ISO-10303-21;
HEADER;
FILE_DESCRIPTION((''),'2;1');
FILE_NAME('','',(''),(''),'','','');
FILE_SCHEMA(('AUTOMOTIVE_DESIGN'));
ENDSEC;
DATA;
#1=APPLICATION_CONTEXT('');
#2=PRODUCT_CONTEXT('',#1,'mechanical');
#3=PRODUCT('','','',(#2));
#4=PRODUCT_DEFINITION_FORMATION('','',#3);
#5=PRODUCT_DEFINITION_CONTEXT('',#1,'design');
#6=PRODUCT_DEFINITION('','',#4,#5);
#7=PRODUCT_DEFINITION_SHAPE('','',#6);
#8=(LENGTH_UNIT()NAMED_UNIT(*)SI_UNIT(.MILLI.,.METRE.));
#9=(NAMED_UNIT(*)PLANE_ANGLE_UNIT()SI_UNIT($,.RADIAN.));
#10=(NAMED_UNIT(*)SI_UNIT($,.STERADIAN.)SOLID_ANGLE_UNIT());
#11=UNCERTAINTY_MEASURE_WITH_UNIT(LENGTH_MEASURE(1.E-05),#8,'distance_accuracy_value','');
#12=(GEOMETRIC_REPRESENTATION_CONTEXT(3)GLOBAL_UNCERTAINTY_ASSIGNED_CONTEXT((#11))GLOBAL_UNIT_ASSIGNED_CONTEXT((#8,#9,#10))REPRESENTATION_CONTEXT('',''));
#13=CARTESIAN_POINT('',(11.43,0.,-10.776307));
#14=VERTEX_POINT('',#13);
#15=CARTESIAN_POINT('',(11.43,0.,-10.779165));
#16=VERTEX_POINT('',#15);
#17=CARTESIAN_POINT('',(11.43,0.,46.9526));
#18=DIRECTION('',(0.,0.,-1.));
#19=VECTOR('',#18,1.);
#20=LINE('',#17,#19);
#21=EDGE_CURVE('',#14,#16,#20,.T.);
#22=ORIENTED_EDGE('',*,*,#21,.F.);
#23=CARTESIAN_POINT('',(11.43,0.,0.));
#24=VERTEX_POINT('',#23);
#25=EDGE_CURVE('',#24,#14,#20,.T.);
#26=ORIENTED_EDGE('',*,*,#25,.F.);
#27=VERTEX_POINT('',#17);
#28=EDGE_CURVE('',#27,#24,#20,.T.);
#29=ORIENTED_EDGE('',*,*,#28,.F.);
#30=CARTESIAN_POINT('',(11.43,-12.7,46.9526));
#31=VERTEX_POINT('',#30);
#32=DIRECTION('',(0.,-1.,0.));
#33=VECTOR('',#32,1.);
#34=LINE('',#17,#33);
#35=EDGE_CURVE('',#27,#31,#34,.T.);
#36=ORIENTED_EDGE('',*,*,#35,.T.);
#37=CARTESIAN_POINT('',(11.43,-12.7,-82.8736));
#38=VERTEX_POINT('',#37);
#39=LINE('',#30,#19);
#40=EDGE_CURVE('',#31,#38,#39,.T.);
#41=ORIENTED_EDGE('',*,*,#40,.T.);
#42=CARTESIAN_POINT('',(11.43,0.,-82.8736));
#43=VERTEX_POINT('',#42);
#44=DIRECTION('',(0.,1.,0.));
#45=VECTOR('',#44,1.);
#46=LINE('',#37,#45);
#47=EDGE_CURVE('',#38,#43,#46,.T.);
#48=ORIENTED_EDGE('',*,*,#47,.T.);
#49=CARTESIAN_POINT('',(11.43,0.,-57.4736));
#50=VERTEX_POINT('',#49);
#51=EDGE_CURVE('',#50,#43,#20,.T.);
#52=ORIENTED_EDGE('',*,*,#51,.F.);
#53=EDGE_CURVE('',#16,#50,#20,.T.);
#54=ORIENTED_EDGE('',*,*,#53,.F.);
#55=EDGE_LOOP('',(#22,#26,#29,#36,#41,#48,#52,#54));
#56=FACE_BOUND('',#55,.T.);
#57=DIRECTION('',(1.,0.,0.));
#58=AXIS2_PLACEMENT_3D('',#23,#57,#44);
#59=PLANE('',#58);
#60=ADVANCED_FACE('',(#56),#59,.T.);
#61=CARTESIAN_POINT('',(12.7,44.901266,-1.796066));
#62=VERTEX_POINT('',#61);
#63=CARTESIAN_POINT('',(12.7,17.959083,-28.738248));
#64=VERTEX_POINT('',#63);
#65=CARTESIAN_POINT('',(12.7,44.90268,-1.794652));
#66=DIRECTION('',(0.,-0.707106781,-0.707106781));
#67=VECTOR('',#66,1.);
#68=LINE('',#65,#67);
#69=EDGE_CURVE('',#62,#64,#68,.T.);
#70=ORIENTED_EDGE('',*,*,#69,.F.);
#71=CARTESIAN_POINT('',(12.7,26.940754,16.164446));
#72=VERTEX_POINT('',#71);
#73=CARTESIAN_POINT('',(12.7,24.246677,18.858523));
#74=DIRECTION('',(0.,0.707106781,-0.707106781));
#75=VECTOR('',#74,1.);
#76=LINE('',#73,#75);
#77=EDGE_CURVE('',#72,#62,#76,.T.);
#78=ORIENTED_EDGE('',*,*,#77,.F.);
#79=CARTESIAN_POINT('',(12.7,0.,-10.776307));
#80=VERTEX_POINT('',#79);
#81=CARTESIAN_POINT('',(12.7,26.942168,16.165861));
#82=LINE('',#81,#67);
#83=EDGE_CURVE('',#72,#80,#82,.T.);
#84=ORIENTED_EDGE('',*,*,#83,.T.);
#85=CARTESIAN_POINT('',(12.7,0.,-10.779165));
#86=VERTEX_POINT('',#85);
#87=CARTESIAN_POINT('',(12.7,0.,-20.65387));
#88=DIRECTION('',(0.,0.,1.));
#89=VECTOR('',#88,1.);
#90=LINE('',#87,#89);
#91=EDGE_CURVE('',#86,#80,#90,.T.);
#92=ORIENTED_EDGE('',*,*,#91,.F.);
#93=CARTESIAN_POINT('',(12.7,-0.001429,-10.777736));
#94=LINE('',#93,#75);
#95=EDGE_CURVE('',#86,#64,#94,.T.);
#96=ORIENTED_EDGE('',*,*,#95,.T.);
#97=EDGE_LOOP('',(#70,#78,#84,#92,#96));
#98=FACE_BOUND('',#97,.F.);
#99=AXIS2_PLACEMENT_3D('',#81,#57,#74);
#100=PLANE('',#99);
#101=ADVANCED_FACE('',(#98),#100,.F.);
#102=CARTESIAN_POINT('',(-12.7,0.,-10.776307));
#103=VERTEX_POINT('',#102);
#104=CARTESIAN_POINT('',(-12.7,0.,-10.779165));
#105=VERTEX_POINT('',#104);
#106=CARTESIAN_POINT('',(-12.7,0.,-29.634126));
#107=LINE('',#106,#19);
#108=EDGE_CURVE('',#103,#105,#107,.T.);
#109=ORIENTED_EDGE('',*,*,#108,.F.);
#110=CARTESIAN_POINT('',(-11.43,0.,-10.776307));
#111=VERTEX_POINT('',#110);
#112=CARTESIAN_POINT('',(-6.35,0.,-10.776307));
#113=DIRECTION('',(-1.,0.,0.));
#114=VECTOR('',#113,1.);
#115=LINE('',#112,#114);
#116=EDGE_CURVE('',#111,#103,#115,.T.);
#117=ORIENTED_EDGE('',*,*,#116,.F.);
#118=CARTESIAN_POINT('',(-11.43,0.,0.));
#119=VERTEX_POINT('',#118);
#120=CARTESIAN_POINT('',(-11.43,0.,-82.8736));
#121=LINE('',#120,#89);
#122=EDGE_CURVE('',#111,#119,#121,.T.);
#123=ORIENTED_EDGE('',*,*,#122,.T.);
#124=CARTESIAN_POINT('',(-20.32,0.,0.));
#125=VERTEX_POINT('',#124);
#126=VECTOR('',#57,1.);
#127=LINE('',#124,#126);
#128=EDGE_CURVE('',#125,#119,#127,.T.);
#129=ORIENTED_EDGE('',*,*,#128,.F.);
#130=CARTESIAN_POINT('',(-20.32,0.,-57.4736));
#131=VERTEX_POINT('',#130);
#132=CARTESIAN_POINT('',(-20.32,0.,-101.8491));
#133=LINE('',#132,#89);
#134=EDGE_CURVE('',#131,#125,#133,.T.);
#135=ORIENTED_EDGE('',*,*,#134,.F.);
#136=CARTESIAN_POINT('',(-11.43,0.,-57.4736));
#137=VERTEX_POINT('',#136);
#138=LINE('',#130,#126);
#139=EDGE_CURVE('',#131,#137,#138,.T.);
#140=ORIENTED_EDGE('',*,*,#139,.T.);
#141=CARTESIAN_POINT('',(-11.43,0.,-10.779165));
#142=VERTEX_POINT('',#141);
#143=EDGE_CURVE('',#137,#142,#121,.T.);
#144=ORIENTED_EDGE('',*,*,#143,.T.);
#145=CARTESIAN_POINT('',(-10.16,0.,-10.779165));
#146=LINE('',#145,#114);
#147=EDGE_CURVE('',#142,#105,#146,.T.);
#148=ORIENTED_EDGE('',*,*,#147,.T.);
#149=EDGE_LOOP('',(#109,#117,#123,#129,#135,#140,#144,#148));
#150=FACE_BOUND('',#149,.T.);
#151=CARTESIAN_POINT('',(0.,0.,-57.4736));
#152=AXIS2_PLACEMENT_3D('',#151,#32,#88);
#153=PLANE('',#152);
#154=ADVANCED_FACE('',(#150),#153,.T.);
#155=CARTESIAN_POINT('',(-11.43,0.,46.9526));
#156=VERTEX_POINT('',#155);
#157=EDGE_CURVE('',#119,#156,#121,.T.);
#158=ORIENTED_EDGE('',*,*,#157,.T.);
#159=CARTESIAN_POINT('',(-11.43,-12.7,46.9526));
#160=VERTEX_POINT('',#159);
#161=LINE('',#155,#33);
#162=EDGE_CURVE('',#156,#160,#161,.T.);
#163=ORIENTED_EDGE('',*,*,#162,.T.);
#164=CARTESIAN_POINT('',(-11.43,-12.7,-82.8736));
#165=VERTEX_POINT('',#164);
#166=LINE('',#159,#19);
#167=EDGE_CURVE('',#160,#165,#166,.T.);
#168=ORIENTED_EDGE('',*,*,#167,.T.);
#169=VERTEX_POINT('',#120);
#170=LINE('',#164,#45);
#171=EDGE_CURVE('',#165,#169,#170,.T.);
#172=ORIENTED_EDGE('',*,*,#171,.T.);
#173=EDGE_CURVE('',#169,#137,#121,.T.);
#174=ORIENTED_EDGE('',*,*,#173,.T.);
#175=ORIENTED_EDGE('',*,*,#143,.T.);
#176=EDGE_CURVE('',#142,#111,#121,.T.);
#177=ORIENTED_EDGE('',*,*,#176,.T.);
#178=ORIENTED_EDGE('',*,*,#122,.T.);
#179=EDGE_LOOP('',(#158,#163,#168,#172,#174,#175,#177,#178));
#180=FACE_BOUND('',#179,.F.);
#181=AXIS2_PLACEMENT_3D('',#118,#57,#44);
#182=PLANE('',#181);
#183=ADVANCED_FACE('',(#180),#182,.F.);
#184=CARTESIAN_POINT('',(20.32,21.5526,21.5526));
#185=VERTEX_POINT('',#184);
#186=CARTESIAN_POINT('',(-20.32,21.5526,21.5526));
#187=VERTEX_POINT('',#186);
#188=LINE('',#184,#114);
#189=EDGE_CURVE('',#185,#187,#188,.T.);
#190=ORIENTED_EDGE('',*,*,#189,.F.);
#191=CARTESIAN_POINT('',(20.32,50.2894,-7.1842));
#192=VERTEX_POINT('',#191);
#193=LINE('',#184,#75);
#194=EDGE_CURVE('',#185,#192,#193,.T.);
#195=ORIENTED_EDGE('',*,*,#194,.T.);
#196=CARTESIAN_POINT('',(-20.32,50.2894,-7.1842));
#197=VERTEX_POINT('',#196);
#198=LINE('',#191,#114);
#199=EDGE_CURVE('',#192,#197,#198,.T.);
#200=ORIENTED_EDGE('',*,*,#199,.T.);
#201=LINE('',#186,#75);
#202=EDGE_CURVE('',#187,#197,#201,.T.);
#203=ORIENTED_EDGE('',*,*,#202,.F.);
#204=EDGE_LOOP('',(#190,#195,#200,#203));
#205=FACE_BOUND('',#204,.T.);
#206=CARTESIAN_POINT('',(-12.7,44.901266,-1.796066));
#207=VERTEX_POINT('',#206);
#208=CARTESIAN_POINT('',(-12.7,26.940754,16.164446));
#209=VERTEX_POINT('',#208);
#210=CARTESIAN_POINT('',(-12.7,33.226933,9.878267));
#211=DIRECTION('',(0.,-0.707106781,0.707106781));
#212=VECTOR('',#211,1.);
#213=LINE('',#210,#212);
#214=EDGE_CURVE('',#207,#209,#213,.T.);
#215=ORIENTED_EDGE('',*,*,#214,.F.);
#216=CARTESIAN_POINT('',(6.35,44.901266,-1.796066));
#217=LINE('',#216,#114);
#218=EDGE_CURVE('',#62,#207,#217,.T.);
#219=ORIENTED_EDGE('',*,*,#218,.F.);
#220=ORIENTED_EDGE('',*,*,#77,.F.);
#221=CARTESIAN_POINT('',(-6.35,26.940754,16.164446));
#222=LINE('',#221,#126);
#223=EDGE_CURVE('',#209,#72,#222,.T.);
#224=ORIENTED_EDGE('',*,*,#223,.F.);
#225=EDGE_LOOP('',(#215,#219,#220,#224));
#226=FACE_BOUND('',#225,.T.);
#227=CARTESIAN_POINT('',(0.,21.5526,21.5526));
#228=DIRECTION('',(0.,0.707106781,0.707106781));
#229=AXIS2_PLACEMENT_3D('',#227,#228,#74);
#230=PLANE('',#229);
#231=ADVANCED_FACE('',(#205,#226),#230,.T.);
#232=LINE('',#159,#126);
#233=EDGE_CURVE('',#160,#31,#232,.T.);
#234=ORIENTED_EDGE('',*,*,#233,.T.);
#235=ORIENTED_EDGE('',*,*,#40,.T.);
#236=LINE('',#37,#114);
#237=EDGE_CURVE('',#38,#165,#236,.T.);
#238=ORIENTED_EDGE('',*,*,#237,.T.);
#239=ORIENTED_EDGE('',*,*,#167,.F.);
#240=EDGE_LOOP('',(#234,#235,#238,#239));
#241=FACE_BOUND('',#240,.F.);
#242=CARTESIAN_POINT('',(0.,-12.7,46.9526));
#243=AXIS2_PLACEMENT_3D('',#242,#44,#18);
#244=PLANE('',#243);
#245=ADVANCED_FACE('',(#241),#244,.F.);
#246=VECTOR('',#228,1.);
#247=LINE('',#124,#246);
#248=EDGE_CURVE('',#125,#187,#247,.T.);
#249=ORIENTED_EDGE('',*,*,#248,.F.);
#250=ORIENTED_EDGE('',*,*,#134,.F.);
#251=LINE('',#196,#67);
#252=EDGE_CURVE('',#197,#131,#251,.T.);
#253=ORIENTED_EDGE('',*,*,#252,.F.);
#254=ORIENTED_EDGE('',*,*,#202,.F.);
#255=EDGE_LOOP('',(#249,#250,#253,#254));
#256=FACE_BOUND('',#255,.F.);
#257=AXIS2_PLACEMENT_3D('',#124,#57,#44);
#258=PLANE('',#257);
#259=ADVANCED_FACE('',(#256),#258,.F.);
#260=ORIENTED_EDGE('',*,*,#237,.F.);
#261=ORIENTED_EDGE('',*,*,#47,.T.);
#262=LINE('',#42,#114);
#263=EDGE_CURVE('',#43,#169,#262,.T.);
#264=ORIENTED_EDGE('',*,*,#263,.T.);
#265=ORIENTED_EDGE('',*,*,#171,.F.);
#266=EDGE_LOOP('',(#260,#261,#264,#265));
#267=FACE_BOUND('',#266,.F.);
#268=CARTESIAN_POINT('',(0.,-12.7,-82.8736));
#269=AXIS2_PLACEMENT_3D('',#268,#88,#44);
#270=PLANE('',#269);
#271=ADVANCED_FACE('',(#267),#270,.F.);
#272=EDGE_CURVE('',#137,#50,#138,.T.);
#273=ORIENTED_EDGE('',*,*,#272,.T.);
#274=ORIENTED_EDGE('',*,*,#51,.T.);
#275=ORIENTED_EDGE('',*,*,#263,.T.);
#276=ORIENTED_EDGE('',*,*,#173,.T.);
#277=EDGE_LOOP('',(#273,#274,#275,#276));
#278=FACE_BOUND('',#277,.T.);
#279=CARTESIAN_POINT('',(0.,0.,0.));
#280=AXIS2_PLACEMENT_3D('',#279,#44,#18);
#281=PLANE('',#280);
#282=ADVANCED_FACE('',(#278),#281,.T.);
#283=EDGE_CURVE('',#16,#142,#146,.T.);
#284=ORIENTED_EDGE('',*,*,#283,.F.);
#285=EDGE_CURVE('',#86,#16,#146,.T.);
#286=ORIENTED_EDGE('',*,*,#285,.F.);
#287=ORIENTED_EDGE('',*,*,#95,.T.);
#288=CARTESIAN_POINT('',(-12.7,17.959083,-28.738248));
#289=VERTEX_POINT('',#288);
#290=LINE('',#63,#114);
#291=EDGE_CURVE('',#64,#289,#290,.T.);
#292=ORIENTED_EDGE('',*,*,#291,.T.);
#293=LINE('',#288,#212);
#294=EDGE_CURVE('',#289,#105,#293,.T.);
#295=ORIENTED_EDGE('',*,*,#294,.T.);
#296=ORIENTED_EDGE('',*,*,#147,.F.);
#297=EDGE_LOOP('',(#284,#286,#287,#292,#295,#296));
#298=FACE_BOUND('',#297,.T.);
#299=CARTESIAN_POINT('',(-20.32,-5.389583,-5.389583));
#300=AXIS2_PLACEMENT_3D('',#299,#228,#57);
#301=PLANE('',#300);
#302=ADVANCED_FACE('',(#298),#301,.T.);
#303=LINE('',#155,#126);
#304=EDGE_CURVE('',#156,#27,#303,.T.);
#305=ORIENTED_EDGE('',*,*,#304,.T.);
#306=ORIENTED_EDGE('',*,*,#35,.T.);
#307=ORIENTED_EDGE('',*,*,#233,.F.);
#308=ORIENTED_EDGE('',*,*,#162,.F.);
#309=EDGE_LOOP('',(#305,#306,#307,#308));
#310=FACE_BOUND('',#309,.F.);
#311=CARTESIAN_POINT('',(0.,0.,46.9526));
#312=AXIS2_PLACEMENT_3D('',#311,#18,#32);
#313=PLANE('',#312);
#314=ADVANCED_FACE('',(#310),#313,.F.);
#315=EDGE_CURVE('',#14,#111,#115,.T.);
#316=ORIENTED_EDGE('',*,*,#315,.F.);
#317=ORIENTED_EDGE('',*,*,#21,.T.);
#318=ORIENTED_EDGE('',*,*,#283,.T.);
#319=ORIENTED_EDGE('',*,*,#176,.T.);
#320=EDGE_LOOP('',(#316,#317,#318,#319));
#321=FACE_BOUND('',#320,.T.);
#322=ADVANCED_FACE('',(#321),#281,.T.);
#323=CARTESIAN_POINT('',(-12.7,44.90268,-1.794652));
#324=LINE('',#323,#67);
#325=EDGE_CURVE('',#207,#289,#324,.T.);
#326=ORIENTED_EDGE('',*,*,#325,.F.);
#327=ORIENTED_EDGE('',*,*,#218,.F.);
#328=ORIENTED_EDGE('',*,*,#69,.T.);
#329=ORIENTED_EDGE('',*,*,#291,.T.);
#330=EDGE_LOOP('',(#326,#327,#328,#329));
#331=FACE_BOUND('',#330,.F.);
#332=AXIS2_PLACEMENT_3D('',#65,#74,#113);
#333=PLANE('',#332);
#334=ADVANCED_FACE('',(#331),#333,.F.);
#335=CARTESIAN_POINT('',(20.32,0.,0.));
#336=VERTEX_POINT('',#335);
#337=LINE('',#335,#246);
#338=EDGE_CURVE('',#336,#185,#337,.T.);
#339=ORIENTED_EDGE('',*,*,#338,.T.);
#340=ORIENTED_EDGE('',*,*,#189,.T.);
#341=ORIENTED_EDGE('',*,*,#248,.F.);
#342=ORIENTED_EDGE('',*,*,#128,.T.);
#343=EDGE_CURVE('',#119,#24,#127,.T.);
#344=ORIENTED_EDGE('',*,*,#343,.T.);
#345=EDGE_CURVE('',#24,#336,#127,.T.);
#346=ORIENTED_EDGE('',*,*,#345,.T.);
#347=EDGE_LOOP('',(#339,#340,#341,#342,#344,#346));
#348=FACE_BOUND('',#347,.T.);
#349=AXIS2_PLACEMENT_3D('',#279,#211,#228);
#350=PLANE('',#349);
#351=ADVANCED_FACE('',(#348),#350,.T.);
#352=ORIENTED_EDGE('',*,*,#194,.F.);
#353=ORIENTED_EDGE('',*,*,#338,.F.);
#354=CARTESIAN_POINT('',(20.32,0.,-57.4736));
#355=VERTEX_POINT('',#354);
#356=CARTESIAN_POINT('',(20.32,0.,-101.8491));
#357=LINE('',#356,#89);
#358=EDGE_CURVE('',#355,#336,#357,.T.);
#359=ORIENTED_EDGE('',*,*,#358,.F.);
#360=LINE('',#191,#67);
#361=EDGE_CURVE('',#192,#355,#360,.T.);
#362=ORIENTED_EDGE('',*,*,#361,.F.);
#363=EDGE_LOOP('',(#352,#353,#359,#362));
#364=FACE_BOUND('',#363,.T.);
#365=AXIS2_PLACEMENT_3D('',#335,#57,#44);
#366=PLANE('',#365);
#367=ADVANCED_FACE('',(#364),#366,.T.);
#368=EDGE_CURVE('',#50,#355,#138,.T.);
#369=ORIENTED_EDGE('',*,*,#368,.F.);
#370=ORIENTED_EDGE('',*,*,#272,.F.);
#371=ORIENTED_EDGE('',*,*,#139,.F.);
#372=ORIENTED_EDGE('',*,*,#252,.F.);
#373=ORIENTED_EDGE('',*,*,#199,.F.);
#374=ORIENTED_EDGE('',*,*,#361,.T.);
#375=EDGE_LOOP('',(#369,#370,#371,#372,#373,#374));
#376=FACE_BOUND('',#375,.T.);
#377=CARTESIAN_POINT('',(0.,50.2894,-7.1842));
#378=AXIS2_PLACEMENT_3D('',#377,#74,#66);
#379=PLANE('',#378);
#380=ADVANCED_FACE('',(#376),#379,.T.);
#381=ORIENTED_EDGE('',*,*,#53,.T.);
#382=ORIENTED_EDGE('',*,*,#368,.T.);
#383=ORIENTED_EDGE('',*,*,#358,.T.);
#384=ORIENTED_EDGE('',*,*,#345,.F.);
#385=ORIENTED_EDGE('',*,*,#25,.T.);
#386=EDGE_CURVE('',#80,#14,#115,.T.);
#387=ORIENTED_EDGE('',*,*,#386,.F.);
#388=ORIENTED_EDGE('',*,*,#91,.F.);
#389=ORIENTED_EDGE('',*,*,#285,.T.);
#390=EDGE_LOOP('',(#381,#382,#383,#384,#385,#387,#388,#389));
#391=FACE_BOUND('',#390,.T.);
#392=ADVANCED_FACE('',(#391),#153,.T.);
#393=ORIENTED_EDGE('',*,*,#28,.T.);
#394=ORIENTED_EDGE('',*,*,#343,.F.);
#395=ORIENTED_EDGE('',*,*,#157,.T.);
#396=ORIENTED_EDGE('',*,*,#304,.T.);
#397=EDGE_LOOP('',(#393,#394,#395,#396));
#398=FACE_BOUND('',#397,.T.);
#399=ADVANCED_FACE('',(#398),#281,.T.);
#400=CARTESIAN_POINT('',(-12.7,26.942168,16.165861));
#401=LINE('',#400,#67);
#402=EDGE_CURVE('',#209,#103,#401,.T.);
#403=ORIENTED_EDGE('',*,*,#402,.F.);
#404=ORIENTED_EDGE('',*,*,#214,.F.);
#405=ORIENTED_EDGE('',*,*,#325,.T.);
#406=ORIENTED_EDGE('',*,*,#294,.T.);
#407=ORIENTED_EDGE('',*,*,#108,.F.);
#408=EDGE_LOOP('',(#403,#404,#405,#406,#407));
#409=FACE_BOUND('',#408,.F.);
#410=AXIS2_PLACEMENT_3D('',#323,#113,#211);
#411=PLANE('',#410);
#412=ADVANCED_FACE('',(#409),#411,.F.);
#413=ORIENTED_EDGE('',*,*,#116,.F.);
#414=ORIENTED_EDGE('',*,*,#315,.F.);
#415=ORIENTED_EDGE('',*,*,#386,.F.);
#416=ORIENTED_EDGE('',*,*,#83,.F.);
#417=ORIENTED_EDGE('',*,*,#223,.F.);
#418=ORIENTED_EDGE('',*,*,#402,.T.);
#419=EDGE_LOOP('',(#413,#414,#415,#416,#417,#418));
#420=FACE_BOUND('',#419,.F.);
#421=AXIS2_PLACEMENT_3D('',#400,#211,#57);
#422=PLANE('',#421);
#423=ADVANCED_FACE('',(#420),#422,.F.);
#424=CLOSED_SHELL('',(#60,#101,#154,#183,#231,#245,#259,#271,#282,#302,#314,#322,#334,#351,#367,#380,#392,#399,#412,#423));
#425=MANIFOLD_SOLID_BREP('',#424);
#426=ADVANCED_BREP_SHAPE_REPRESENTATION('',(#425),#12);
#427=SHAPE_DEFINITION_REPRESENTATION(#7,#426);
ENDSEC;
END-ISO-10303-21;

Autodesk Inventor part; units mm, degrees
ref_plane "YZ Plane" through (0, 0, 0) normal (1, 0, 0) x (0, 1, 0)
ref_plane "XZ Plane" through (0, 0, 0) normal (0, 1, 0) x (-1, 0, 0)
ref_plane "XY Plane" through (0, 0, 0) normal (0, 0, 1) x (1, 0, 0)
sketch "Sketch1" plane through (0, 0, 0) normal (1, 0, 0) x (0, 1, 0)
  line L0 (0, 0) -> (21.5526, 21.5526)
  line L1 (21.5526, 21.5526) -> (50.2894, -7.1842)
  line L2 (0, -101.8491) -> (0, 42.1347) projected
  line L3 (50.2894, -7.1842) -> (0, -57.4736)
  line L4 (0, 0) -> (0, -57.4736)
  line L5 (26.9408, 16.1645) -> (0, -10.7763) construction
  dimension "d0" = 40.64
  dimension "d1" = 45
  dimension "d5" = 7.62
  dimension "d6" = 38.1
extrude "Extrusion1" add sketch "Sketch1" along normal mid plane 40.64
sketch "Sketch2" plane through (-20.32, 21.5526, 21.5526) normal (0, 0.7071, 0.7071) x (1, 0, 0)
  line L0 (0, 0) -> (40.64, 0) construction
  line L1 (40.64, 0) -> (40.64, 40.64) construction
  line L2 (0, 0) -> (40.64, 40.64) construction
  line L3 (40.64, 40.64) -> (0, 40.64) construction
  line L4 (0, 40.64) -> (40.64, 0) construction
  line L5 (7.62, 7.62) -> (33.02, 7.62)
  line L6 (33.02, 7.62) -> (33.02, 33.02)
  line L7 (33.02, 33.02) -> (7.62, 33.02)
  line L8 (7.62, 33.02) -> (7.62, 7.62)
  line L9 (7.62, 7.62) -> (33.02, 33.02) construction
  line L10 (33.02, 7.62) -> (7.62, 33.02) construction
  point P0 (20.32, 0)
  point P1 (20.32, 20.32)
  dimension "d7" = 25.4
extrude "Extrusion2" cut sketch "Sketch2" against normal blind 38.1
sketch "Sketch3" plane through (0, 0, 0) normal (1, 0, 0) x (0, 1, 0)
  line L0 (21.5526, 21.5526) -> (0, 0) projected
  line L1 (0, 0) -> (0, -57.4736) projected
  line L2 (0, -57.4736) -> (50.2894, -7.1842) projected
  line L3 (17.9605, -28.7368) -> (0, -10.7763) projected
  line L4 (26.9408, 16.1645) -> (0, -10.7763) projected
  line L5 (0, 0) -> (0, -57.4736)
  line L6 (21.5526, 21.5526) -> (8.0019, 21.5526) construction
  line L7 (0, 0) -> (21.5526, 21.5526) projected
  line L8 (0, 0) -> (0, 46.9526)
  line L9 (50.2894, -7.1842) -> (0, -57.4736) projected
  line L10 (0, -57.4736) -> (0, -82.8736)
  line L11 (0, -137.4091) -> (0, 77.6947) projected
  line L12 (0, 46.9526) -> (-12.7, 46.9526)
  line L13 (-12.7, 46.9526) -> (-12.7, -82.8736)
  line L14 (-12.7, -82.8736) -> (0, -82.8736)
  point P0 (1.0999, -13.335)
  point P1 (0, -10.7763)
  dimension "d10" = 25.4
  dimension "d11" = 25.4
  dimension "d12" = 12.7
extrude "Extrusion3" add sketch "Sketch3" along normal mid plane 22.86
equation "\"d0\" = widthToSupportExtrusion"
equation "\"d1\" = attachementAngle"
equation "\"d6\" = insertDepth"
equation "\"d2\" = widthToSupportExtrusion"
equation "\"d7\" = extrusionSize"
equation "\"d8\" = insertDepth"
equation "\"d12\" = supportBaseDepth"
equation "\"d13\" = supportBaseWidth"
equation "\"attachementAngle\" = 45deg"
equation "\"extrusionSize\" = 25.4"
equation "\"wallThickness\" = 6.35"
equation "\"slipClearance\" = 1.27"
equation "\"insertForExtrusion\" = extrusionSize + 2 * slipClearance"
equation "\"widthToSupportExtrusion\" = insertForExtrusion + 2 * wallThickness"
equation "\"insertDepth\" = 38.1"
equation "\"supportBaseWidth\" = 22.86"
equation "\"supportBaseDepth\" = 12.7"
properties part number "45DegreeAttachementV02"
